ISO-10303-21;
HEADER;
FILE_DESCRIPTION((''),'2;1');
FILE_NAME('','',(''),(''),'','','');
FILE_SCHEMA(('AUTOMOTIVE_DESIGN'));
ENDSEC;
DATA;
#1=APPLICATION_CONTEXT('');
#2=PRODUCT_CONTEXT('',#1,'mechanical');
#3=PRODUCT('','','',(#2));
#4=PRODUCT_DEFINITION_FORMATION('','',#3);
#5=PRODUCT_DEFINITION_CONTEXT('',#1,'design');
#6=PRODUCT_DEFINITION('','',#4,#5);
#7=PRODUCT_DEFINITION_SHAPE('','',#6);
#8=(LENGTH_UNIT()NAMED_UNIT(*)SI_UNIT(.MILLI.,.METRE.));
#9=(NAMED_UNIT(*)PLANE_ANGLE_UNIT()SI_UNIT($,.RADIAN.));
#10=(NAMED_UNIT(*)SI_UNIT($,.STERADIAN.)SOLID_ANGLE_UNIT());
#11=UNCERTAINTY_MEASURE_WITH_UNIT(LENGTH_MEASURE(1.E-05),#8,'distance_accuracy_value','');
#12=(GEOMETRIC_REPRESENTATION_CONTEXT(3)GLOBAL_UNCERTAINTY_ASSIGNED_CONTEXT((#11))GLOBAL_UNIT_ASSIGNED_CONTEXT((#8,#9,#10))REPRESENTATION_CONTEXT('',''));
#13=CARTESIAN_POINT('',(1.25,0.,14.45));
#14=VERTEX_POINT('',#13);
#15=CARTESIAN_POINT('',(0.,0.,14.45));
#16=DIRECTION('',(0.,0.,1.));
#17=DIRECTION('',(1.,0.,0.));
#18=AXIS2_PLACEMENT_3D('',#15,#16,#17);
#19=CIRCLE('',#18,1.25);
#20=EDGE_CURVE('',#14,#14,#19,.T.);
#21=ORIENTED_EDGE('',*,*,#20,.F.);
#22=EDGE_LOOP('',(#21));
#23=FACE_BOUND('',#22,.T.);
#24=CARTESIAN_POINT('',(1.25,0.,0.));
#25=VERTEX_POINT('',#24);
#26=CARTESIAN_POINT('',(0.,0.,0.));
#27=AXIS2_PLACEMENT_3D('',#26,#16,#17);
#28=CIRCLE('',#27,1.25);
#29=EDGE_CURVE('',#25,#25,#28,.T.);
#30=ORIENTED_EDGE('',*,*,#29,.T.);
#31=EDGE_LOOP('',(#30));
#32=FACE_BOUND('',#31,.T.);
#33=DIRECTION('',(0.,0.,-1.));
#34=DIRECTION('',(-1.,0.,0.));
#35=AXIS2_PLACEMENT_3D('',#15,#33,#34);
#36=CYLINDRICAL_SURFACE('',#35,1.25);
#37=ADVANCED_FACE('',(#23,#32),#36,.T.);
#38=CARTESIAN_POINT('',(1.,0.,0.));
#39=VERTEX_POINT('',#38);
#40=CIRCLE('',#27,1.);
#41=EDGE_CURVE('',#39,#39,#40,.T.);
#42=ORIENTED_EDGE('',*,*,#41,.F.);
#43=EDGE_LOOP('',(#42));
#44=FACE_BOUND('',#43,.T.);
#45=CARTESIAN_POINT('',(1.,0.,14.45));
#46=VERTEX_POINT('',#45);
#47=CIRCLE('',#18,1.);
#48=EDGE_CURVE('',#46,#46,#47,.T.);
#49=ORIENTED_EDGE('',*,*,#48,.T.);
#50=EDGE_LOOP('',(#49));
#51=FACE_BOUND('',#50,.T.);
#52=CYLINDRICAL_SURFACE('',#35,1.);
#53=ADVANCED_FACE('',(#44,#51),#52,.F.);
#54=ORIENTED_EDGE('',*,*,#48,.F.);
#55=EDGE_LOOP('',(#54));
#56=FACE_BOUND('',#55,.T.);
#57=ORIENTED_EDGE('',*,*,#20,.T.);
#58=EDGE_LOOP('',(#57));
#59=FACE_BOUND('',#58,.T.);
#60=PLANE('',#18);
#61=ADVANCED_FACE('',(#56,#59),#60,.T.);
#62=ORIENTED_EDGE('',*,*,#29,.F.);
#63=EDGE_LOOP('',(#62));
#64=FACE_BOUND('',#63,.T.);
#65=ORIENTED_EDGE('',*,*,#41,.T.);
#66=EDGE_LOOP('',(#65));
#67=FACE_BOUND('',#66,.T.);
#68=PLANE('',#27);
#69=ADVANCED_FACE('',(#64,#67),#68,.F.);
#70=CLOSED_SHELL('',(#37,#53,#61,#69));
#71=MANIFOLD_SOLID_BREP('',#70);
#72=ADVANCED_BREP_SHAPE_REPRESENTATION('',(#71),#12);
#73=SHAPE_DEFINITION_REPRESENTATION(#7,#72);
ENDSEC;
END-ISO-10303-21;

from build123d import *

# Parameters (mm, degrees)
SKETCH1_R           = 1.25
SKETCH1_R_2         = 1
BOSS_EXTRUDE1_DEPTH = 14.45


with BuildPart() as part:
    # Sketch1 → Boss-Extrude1 (new body)
    with BuildSketch(Plane.XY):
        Circle(SKETCH1_R)
        Circle(SKETCH1_R_2, mode=Mode.SUBTRACT)
    extrude(amount=BOSS_EXTRUDE1_DEPTH)


solid = part.part
